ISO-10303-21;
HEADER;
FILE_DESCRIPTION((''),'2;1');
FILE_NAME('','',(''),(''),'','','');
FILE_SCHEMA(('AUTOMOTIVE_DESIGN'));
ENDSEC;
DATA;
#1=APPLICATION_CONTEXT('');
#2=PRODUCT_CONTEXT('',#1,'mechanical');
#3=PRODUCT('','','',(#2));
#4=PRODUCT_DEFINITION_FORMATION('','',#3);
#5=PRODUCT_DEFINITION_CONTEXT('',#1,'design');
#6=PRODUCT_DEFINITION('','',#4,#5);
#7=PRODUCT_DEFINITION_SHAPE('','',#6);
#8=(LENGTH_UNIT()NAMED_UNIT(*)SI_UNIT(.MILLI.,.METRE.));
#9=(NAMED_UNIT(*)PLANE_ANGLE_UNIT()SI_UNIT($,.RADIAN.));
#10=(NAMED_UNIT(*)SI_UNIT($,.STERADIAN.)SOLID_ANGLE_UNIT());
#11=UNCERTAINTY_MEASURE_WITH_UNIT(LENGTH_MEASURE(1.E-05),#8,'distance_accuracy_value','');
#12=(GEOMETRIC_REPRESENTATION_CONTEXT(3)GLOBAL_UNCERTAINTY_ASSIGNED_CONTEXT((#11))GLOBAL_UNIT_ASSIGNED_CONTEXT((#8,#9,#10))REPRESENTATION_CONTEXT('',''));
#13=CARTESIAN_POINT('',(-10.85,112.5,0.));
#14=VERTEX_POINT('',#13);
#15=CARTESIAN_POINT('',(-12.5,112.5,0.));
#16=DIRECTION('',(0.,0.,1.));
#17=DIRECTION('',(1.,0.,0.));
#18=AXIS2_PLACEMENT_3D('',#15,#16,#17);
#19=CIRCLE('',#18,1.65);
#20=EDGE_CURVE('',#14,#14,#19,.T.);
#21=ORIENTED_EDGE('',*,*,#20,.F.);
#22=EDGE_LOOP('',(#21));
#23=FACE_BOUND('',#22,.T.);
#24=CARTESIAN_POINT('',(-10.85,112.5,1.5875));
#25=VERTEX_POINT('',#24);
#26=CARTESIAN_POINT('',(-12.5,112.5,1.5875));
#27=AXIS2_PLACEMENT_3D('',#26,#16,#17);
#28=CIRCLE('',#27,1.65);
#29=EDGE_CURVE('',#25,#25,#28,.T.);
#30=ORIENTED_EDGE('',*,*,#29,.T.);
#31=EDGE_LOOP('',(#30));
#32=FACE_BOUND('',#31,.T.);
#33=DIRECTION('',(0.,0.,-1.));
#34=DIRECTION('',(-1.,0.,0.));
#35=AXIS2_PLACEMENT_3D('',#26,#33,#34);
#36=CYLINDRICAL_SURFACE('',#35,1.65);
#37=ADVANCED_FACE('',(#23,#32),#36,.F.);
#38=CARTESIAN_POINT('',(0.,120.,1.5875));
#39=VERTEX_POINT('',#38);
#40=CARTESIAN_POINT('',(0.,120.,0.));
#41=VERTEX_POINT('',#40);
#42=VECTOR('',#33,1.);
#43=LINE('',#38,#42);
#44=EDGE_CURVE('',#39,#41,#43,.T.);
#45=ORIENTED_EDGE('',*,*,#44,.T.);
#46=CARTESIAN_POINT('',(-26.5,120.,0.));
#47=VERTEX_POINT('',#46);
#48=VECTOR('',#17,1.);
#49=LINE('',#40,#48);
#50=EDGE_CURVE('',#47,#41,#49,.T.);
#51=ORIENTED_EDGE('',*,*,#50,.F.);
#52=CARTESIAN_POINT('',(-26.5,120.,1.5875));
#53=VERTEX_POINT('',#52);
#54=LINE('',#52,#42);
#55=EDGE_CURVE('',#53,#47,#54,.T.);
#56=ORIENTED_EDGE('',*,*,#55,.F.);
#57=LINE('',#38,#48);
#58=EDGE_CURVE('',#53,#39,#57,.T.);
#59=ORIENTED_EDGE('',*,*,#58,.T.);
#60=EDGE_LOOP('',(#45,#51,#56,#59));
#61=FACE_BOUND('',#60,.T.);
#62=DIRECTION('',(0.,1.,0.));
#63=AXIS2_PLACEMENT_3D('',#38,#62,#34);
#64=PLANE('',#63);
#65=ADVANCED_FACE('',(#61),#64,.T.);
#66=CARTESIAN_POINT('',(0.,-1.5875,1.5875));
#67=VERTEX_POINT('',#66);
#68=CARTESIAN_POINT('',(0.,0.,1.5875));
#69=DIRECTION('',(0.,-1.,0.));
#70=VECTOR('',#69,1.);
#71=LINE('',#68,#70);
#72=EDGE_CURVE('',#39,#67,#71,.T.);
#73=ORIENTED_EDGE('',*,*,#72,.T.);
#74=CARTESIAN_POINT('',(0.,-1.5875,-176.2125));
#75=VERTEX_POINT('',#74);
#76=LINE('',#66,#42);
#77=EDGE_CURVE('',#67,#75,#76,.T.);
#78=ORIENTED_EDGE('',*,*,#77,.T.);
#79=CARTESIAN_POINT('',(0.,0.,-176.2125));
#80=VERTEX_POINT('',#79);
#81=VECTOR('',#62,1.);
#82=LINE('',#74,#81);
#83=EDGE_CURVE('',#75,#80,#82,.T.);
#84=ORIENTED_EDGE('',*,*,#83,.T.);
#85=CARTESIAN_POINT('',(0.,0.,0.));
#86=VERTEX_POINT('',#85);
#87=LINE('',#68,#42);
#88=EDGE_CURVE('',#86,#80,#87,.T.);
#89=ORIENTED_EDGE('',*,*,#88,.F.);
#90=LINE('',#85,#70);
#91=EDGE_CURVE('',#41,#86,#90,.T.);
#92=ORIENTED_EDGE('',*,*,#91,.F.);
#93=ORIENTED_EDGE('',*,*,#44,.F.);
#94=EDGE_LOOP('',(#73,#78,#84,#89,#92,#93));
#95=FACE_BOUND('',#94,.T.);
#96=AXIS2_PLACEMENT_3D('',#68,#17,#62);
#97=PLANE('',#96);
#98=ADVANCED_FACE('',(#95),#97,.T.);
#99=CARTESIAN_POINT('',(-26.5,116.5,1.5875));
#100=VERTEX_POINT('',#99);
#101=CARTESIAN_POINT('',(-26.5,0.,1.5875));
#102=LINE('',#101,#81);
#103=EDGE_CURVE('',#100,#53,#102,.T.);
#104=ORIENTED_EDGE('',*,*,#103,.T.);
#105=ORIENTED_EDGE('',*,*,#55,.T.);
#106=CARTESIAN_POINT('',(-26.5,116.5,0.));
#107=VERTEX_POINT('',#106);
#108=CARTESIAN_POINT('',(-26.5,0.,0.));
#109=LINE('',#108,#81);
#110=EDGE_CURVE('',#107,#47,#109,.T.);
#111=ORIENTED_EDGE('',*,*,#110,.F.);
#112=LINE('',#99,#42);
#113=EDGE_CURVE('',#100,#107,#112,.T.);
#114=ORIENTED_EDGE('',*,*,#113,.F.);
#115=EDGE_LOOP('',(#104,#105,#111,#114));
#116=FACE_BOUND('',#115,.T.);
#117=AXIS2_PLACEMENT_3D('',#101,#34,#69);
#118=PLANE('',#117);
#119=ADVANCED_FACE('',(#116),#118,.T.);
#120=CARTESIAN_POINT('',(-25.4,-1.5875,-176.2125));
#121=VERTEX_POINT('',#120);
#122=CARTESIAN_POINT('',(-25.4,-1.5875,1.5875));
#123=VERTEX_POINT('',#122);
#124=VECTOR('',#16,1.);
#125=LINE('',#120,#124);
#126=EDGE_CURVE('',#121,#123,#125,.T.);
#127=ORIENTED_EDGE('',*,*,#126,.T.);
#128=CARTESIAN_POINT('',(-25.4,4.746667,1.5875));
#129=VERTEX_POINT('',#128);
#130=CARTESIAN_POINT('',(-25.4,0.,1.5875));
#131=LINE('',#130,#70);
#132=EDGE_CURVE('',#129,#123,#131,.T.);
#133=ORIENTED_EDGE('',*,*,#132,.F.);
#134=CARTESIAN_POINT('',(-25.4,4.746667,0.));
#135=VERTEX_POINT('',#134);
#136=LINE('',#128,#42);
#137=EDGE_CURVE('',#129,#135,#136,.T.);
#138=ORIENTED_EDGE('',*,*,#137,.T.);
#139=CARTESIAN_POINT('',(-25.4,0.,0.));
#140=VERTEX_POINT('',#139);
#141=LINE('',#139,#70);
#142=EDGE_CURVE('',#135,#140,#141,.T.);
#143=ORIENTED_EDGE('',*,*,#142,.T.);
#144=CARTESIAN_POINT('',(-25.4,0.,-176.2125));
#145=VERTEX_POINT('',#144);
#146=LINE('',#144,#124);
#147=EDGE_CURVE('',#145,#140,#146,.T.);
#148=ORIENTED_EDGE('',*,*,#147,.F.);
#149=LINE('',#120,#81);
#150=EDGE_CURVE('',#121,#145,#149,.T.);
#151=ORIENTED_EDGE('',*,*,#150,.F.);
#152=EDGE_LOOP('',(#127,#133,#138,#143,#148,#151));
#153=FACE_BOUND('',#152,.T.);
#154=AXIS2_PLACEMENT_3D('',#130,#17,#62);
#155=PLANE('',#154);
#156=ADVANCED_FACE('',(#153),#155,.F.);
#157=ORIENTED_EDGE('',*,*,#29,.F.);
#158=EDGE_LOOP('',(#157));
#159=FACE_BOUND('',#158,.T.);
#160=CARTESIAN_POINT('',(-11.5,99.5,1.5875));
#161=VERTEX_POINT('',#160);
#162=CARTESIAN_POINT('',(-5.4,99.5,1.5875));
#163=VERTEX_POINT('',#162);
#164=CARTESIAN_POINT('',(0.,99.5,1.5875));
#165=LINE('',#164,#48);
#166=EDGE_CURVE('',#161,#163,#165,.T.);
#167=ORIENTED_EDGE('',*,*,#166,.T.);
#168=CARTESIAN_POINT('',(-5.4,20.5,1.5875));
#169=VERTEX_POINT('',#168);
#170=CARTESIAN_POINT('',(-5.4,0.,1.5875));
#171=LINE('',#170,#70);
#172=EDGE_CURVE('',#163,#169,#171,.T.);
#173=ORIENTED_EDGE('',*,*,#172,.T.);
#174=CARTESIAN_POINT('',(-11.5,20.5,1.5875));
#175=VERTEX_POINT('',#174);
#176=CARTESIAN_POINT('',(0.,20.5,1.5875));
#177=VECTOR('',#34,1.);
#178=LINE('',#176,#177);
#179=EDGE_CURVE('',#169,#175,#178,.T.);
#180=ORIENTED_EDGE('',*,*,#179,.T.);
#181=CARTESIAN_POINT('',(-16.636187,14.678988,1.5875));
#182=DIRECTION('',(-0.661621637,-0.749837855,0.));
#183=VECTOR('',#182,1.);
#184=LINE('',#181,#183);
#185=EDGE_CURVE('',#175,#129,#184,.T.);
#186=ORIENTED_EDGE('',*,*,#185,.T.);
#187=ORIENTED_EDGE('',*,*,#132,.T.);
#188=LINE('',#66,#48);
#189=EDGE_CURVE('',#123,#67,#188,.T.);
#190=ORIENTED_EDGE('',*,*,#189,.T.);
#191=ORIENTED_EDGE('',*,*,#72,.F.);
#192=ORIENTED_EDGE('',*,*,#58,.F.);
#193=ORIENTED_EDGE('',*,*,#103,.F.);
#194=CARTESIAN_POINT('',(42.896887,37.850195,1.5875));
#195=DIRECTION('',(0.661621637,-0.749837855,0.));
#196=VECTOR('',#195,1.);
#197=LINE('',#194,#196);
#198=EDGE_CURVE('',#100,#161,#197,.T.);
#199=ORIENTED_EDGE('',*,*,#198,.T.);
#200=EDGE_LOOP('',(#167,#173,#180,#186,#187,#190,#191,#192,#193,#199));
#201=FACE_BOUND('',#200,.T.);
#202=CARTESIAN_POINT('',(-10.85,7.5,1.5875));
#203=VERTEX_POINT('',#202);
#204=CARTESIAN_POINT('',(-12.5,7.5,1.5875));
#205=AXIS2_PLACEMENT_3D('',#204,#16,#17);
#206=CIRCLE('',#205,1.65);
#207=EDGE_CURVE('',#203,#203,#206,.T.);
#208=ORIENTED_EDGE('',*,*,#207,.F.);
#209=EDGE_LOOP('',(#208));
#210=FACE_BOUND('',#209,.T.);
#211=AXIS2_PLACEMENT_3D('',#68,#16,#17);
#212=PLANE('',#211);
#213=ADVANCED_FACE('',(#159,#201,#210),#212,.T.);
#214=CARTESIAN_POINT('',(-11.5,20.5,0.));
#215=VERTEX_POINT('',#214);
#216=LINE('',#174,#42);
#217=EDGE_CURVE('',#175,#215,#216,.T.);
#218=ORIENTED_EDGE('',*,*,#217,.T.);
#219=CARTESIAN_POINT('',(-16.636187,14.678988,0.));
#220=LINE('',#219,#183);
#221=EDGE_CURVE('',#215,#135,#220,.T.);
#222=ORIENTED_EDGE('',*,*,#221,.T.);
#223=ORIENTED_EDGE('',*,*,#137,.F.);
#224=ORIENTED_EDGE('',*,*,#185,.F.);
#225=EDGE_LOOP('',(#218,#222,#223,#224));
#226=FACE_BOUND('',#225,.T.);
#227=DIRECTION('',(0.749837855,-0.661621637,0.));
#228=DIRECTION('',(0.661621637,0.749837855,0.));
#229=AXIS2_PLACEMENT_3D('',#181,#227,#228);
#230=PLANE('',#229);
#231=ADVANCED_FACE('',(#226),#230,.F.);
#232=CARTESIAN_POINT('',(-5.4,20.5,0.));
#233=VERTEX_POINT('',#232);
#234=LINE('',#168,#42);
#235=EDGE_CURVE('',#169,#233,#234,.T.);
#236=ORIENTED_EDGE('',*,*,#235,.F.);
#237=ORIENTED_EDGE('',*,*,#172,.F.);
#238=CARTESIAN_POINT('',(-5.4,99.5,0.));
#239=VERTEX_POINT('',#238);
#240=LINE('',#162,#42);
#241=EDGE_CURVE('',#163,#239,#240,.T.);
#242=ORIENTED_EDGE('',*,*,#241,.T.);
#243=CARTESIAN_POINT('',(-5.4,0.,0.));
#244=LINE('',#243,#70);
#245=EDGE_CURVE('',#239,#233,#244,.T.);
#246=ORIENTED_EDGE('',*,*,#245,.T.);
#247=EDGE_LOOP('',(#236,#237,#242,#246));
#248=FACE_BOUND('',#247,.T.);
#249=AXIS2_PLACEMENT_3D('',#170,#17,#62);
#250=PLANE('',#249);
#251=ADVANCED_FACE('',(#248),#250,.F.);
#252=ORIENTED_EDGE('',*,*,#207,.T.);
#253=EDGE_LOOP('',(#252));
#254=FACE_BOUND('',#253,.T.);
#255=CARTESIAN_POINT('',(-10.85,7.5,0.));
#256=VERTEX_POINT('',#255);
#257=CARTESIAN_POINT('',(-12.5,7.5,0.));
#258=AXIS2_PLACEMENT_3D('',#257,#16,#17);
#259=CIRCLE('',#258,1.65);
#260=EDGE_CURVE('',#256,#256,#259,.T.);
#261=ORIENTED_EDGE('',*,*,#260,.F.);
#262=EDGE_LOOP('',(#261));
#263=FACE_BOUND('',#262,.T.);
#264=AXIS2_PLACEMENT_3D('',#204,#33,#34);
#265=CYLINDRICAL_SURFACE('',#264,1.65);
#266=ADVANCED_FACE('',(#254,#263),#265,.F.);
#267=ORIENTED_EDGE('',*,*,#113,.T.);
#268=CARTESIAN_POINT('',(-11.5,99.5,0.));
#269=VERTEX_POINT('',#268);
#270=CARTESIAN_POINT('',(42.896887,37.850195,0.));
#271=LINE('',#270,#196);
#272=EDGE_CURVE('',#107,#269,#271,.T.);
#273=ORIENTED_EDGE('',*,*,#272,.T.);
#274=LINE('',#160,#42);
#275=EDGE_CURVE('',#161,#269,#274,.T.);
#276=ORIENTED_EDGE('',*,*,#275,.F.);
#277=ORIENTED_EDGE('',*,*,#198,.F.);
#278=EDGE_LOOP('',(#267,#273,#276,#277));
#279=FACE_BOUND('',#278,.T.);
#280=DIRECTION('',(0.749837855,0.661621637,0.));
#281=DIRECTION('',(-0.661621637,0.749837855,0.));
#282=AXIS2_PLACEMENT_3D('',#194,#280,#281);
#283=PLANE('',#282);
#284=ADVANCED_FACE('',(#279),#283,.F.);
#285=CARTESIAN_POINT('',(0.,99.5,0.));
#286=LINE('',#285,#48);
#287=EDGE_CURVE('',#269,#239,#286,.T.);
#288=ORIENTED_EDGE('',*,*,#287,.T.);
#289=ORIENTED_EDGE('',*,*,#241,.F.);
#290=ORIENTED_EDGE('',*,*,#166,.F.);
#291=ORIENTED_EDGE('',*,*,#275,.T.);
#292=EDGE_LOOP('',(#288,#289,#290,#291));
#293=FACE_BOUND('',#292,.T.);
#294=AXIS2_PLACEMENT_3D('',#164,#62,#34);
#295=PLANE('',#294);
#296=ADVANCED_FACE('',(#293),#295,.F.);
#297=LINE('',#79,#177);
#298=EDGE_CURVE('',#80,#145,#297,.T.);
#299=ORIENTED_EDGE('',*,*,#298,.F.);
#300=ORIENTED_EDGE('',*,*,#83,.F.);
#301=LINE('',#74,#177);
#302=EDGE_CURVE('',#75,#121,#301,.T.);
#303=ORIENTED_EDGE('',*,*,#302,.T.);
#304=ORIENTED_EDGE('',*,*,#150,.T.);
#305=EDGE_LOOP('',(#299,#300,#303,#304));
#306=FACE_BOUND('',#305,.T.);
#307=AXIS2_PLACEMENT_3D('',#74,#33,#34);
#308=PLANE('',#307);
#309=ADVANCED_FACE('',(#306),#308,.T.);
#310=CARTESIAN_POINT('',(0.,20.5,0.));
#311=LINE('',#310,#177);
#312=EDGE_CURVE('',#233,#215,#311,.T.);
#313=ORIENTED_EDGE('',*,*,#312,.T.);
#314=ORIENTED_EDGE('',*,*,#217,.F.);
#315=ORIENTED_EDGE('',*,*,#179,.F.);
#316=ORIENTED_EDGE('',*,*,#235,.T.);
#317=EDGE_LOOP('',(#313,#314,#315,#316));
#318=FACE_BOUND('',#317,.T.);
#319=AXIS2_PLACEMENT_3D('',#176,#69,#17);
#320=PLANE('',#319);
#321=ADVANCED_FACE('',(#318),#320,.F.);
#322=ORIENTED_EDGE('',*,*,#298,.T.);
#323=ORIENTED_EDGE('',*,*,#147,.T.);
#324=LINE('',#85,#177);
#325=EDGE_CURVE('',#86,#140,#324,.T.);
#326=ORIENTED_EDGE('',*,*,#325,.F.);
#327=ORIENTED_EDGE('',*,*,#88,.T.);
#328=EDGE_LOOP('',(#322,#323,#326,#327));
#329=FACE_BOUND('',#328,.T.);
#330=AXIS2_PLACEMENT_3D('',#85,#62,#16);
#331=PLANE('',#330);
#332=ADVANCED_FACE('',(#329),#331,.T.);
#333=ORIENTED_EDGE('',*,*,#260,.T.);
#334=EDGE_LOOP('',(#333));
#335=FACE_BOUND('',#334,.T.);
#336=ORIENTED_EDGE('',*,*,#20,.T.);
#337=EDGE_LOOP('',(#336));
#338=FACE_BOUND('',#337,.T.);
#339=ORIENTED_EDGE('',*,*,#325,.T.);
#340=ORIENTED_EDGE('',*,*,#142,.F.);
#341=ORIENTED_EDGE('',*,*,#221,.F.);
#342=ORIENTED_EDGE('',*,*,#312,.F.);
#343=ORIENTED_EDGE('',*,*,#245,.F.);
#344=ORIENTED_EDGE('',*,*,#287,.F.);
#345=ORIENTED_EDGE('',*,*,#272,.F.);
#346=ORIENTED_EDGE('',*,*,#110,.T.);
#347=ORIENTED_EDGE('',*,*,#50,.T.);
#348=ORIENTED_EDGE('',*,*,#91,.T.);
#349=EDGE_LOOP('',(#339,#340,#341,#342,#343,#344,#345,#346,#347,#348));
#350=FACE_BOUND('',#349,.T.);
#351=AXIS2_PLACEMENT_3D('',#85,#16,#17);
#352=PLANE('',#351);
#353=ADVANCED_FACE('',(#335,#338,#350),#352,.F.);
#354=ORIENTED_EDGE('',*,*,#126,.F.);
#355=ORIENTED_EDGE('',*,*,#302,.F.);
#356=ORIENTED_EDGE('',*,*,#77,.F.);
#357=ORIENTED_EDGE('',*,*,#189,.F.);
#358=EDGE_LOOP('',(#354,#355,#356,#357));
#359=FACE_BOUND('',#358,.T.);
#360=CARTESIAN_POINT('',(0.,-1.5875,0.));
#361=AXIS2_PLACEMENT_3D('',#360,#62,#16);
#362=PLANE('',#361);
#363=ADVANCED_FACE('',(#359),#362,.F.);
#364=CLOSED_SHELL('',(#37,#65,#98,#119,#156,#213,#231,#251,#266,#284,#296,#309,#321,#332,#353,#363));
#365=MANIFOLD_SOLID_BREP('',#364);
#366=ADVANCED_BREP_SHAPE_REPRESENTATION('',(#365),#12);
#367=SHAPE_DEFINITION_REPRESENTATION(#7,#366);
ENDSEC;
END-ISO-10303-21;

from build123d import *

# Parameters (mm, degrees)
BOSS_EXTRUDE1_DEPTH = 1.5875
SKETCH2_W           = 25.4
SKETCH2_H           = 177.8
BOSS_EXTRUDE2_DEPTH = 1.5875


with BuildPart() as part:
    # Sketch1 → Boss-Extrude1 (new body)
    with BuildSketch(Plane.XY):
        Polygon((0, 120), (-26.5, 120), (-26.5, 116.5), (-11.5, 99.5), (-5.4, 99.5), (-5.4, 20.5), (-11.5, 20.5), (-25.4, 4.746666667), (-25.4, 0), (0, 0), align=None)
        with BuildLine():
            ThreePointArc((-10.85, 7.5), (-12.5, 5.85), (-14.15, 7.5))
            ThreePointArc((-14.15, 7.5), (-12.5, 9.15), (-10.85, 7.5))
        make_face(mode=Mode.SUBTRACT)
        with BuildLine():
            ThreePointArc((-10.85, 112.5), (-12.5, 110.85), (-14.15, 112.5))
            ThreePointArc((-14.15, 112.5), (-12.5, 114.15), (-10.85, 112.5))
        make_face(mode=Mode.SUBTRACT)
    extrude(amount=BOSS_EXTRUDE1_DEPTH)

    # Sketch2 → Boss-Extrude2 (add)
    with BuildSketch(Plane(origin=(0, 0, 0), x_dir=(1, 0, 0), z_dir=(0, 1, 0))):
        with Locations((-12.7, 87.3125)):
            Rectangle(SKETCH2_W, SKETCH2_H)
    extrude(amount=-BOSS_EXTRUDE2_DEPTH)


solid = part.part
